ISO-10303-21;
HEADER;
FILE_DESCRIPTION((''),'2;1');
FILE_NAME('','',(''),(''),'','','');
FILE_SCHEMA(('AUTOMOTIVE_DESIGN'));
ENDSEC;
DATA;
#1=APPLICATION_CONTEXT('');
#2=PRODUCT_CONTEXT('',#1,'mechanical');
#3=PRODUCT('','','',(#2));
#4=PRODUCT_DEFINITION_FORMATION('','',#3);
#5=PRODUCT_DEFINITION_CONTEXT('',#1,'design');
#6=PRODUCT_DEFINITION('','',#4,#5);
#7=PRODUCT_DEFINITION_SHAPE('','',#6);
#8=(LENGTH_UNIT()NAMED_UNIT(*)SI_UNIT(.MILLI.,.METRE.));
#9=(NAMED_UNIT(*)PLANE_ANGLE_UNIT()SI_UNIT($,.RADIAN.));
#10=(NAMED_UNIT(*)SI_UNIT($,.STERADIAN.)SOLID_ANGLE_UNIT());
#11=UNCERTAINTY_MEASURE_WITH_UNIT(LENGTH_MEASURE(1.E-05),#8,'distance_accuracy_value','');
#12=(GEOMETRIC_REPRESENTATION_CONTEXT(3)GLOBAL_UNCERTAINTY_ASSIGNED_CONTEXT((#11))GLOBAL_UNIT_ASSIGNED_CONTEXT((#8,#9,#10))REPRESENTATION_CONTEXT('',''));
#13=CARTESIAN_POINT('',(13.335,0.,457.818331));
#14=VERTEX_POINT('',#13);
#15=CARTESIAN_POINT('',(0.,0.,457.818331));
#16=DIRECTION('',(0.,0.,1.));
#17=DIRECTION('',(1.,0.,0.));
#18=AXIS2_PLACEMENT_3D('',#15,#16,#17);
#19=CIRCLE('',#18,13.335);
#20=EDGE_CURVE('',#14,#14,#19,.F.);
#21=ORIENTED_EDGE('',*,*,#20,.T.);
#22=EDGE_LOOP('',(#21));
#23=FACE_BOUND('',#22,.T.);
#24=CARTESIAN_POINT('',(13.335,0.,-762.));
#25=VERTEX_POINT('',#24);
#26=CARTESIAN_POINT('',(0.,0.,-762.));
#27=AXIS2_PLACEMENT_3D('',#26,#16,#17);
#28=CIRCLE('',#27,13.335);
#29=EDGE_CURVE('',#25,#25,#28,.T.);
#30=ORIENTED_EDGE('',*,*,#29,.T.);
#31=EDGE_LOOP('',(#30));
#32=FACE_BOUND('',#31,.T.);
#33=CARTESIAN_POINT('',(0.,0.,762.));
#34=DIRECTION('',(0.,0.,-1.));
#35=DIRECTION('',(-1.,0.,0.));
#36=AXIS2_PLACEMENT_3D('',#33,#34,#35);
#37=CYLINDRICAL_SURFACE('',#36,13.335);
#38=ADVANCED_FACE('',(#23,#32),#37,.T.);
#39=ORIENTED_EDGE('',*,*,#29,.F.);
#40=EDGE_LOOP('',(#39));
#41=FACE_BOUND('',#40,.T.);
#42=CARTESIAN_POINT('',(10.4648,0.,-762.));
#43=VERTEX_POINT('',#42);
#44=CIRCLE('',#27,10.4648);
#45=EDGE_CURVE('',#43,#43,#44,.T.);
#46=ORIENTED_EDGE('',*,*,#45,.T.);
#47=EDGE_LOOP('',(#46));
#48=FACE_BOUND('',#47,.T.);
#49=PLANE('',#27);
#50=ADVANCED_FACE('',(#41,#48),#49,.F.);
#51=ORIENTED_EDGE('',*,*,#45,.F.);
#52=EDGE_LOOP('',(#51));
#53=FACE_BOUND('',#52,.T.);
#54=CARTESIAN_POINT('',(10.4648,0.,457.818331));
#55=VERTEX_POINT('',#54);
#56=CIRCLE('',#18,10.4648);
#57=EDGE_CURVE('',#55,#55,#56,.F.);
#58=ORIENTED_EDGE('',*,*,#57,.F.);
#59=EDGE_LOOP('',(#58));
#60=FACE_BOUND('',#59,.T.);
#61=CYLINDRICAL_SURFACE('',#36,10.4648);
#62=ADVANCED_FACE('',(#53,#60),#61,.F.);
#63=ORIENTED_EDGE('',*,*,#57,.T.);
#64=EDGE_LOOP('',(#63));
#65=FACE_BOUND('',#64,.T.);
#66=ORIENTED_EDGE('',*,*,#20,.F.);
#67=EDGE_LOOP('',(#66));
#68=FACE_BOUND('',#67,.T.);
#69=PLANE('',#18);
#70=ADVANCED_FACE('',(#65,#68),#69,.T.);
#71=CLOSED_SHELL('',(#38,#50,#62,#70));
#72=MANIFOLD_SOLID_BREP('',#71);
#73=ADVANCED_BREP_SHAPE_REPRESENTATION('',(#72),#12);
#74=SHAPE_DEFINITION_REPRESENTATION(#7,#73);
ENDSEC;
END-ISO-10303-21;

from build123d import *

# Parameters (mm, degrees)
SKETCH3_R                = 13.335
SKETCH3_R_2              = 10.4648
BOSS_EXTRUDE1_DEPTH      = 762
BOSS_EXTRUDE1_DEPTH_BACK = 762
SKETCH4_R                = 13.335
SKETCH4_R_2              = 10.4648
CUT_EXTRUDE2_DEPTH       = 304.181669


with BuildPart() as part:
    # Sketch3 → Boss-Extrude1 (new body, two sides)
    with BuildSketch(Plane.XY) as boss_extrude1_sk:
        Circle(SKETCH3_R)
        Circle(SKETCH3_R_2, mode=Mode.SUBTRACT)
    extrude(amount=BOSS_EXTRUDE1_DEPTH)
    extrude(boss_extrude1_sk.sketch, amount=-BOSS_EXTRUDE1_DEPTH_BACK)

    # Sketch4 → Cut-Extrude2 (cut)
    with BuildSketch(Plane.XY.offset(762)):
        Circle(SKETCH4_R)
        Circle(SKETCH4_R_2, mode=Mode.SUBTRACT)
    extrude(amount=-CUT_EXTRUDE2_DEPTH, mode=Mode.SUBTRACT)


solid = part.part
